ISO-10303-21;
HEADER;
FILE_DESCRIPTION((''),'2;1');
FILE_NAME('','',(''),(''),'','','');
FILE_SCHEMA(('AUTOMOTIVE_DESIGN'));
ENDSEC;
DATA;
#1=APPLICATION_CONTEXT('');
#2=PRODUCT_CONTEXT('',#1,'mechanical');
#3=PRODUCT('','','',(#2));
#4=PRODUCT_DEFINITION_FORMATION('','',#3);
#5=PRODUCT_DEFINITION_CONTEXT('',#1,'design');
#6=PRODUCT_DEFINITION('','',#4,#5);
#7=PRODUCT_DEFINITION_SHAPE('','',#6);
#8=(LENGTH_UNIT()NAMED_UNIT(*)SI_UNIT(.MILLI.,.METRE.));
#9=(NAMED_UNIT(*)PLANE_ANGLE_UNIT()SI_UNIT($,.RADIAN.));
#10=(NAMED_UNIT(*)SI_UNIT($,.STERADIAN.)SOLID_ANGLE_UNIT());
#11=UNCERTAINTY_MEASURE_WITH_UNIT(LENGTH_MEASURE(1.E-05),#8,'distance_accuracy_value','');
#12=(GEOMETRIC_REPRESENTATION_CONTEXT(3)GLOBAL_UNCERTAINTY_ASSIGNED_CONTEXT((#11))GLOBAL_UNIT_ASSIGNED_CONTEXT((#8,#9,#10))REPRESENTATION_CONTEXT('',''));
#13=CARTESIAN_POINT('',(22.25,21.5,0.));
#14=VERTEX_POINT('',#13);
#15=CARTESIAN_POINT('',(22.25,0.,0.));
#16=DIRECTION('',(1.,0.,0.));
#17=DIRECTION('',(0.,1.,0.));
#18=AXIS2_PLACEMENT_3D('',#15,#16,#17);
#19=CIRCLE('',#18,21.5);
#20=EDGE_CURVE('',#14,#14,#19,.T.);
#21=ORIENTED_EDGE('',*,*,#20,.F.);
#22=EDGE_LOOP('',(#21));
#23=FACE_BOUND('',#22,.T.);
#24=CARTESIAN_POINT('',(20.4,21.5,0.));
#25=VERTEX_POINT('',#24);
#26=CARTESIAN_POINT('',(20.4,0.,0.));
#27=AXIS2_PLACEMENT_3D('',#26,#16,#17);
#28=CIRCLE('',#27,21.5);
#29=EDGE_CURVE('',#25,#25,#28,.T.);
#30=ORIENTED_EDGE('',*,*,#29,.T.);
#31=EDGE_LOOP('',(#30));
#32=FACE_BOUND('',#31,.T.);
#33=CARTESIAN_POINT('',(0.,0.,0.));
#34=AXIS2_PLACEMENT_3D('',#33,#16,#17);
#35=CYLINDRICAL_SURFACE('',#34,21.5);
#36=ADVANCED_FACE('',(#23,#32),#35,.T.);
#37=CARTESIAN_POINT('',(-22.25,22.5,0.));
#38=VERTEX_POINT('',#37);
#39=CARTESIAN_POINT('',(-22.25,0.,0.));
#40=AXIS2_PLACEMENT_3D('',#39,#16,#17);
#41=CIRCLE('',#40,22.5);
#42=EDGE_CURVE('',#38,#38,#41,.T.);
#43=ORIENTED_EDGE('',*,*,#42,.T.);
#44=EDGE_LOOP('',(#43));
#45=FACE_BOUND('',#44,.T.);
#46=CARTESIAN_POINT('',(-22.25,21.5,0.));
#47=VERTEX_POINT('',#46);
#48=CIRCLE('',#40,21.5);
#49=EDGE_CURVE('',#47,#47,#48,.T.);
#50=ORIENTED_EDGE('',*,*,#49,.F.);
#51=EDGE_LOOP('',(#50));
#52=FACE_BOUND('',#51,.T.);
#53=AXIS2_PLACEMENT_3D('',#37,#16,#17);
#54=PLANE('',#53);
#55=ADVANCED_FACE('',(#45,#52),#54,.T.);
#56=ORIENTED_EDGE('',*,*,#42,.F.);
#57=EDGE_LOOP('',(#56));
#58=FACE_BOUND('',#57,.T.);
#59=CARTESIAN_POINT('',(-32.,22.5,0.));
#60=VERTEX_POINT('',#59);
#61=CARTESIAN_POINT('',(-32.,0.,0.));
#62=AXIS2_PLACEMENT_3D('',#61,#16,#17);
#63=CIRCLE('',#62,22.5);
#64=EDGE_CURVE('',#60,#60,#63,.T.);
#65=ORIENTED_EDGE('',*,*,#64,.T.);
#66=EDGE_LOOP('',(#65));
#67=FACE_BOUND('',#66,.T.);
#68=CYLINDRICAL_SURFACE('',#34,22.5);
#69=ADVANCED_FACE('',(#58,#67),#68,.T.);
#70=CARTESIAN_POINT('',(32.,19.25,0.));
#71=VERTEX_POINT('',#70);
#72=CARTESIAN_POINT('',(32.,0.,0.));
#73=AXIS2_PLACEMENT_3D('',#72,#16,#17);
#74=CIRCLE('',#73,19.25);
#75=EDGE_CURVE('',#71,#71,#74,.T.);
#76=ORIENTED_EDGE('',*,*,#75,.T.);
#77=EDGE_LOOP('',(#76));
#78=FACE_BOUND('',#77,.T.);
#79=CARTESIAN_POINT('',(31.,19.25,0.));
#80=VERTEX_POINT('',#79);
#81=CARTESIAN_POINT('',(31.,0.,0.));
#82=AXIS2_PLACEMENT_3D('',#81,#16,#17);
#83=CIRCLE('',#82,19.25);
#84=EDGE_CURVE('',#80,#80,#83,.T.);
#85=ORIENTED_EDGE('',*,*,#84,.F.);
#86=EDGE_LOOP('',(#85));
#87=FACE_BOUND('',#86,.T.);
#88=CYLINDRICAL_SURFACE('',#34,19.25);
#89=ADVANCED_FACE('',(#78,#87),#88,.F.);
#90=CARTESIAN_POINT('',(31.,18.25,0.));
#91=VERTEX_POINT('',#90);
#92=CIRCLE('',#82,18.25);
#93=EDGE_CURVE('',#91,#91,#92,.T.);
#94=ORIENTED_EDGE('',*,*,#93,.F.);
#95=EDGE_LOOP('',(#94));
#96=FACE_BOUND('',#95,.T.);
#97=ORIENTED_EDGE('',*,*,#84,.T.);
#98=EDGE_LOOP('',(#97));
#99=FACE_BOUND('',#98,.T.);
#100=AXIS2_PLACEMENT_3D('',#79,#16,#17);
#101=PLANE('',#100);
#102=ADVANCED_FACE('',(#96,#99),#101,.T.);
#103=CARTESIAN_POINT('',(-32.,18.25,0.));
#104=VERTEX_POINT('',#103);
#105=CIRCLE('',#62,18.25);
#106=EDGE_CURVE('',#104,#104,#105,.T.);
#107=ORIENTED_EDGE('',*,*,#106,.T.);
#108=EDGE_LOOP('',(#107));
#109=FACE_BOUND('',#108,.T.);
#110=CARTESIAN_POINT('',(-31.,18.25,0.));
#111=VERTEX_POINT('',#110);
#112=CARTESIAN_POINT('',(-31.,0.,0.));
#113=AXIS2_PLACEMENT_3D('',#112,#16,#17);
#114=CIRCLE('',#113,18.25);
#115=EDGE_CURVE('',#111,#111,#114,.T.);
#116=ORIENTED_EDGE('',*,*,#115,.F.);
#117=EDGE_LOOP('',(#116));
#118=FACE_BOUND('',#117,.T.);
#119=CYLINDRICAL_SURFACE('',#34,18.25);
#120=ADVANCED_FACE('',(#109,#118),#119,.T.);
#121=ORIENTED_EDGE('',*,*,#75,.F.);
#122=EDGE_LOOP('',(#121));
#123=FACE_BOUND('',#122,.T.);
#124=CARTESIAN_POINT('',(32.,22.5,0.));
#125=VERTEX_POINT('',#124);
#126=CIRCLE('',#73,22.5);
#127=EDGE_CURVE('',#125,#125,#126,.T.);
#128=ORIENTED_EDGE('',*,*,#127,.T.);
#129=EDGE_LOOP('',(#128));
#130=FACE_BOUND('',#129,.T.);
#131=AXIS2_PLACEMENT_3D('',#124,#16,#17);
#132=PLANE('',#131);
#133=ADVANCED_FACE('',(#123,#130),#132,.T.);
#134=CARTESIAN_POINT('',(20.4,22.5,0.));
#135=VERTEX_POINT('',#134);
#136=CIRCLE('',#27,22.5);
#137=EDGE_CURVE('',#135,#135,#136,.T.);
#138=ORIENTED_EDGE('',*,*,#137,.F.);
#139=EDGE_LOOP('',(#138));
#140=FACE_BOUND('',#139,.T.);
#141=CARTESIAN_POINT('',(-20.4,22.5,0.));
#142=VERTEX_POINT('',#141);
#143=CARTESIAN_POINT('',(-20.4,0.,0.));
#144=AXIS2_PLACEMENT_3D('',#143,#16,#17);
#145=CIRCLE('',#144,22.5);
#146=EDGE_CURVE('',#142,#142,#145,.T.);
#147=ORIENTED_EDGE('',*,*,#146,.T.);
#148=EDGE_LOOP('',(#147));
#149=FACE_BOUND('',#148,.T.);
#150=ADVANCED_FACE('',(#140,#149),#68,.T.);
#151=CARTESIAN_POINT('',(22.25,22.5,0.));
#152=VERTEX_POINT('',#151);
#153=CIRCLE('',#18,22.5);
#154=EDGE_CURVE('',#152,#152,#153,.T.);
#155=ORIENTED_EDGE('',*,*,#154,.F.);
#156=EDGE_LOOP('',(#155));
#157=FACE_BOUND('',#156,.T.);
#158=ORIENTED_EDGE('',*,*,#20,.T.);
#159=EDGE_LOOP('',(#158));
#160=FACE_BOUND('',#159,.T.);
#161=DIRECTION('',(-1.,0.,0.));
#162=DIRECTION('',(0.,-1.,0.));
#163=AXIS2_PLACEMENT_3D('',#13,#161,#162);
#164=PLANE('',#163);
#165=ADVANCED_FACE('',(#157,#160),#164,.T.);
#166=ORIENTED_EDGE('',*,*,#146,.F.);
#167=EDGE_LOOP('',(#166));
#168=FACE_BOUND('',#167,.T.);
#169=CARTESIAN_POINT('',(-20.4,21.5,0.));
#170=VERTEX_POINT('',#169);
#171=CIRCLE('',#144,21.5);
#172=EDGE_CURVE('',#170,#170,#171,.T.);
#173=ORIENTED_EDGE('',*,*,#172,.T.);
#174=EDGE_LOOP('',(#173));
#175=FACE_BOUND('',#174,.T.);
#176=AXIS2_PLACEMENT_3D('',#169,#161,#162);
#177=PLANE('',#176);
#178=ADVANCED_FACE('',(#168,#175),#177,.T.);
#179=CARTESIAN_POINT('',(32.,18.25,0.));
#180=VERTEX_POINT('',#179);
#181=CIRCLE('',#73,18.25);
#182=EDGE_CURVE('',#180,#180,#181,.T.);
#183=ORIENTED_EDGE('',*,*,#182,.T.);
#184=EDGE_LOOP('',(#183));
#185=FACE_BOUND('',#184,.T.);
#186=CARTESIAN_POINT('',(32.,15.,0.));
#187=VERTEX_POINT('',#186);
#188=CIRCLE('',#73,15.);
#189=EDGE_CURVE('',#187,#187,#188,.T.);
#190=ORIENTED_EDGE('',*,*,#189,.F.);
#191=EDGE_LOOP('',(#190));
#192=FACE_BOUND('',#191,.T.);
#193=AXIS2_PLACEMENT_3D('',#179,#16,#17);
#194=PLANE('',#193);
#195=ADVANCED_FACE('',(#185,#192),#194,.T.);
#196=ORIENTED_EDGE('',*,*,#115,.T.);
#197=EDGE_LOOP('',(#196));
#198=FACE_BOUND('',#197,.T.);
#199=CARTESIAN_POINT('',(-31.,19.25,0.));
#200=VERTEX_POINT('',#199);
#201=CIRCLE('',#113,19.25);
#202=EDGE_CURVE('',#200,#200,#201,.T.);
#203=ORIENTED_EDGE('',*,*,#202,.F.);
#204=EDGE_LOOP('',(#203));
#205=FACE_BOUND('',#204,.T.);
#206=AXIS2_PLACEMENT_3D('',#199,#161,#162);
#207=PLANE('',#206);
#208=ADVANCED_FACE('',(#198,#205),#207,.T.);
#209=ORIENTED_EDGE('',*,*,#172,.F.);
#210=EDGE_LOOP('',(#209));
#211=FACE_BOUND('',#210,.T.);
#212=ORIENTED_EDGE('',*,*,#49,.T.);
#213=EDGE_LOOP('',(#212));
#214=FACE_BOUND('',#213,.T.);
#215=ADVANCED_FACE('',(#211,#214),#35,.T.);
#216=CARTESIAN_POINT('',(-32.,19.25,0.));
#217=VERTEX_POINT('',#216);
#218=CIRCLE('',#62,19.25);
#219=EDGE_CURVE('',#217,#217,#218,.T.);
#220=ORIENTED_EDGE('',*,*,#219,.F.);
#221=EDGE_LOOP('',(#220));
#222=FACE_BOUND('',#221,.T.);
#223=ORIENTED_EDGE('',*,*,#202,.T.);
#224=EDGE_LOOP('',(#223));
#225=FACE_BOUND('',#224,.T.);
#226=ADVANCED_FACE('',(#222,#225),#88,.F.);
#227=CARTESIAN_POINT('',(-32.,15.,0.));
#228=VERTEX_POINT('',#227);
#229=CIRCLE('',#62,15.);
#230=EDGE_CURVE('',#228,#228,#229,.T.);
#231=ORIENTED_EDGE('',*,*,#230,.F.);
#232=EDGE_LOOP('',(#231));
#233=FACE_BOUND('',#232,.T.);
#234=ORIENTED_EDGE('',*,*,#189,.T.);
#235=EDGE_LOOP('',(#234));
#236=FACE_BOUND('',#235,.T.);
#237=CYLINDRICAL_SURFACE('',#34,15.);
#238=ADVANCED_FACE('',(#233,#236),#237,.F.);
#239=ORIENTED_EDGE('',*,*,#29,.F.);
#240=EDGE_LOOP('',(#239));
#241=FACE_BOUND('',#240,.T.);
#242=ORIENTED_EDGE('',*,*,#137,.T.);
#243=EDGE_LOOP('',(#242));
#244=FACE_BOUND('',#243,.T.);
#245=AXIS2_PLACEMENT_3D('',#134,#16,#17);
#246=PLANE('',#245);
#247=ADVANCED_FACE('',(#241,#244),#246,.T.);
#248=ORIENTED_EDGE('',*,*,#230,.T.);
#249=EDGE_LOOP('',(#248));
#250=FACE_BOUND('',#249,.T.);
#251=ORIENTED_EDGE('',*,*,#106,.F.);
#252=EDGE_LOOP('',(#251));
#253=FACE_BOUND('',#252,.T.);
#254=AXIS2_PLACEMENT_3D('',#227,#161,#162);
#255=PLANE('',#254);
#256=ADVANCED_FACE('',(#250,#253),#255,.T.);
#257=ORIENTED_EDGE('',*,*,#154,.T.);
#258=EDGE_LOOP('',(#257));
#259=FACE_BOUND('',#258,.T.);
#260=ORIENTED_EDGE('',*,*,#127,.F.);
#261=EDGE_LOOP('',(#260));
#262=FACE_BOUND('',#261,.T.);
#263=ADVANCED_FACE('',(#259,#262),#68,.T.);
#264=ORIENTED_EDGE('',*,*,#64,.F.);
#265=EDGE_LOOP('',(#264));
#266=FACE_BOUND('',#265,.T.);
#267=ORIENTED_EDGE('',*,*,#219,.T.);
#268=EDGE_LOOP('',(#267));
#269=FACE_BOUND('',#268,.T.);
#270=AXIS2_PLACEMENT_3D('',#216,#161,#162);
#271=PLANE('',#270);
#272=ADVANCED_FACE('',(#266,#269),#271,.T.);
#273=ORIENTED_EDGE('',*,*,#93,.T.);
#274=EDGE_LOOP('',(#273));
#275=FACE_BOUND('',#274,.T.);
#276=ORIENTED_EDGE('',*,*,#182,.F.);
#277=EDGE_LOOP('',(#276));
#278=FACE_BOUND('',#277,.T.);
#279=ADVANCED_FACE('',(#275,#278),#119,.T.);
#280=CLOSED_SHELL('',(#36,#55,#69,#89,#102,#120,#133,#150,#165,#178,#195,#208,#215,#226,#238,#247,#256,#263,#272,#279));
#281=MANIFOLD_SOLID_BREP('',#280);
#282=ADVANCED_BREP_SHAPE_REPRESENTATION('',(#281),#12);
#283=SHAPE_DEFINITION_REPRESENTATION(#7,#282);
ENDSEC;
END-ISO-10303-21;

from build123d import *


with BuildPart() as part:
    # Esboço1 → Revolução1 (revolve)
    with BuildSketch(Plane.XY):
        Polygon((-32, 22.5), (-22.25, 22.5), (-22.25, 21.5), (-20.4, 21.5), (-20.4, 22.5), (20.4, 22.5), (20.4, 21.5), (22.25, 21.5), (22.25, 22.5), (32, 22.5), (32, 19.25), (31, 19.25), (31, 18.25), (32, 18.25), (32, 15), (-32, 15), (-32, 18.25), (-31, 18.25), (-31, 19.25), (-32, 19.25), align=None)
    revolve(axis=Axis((0, 0, 0), (-1, 0, 0)))


solid = part.part
